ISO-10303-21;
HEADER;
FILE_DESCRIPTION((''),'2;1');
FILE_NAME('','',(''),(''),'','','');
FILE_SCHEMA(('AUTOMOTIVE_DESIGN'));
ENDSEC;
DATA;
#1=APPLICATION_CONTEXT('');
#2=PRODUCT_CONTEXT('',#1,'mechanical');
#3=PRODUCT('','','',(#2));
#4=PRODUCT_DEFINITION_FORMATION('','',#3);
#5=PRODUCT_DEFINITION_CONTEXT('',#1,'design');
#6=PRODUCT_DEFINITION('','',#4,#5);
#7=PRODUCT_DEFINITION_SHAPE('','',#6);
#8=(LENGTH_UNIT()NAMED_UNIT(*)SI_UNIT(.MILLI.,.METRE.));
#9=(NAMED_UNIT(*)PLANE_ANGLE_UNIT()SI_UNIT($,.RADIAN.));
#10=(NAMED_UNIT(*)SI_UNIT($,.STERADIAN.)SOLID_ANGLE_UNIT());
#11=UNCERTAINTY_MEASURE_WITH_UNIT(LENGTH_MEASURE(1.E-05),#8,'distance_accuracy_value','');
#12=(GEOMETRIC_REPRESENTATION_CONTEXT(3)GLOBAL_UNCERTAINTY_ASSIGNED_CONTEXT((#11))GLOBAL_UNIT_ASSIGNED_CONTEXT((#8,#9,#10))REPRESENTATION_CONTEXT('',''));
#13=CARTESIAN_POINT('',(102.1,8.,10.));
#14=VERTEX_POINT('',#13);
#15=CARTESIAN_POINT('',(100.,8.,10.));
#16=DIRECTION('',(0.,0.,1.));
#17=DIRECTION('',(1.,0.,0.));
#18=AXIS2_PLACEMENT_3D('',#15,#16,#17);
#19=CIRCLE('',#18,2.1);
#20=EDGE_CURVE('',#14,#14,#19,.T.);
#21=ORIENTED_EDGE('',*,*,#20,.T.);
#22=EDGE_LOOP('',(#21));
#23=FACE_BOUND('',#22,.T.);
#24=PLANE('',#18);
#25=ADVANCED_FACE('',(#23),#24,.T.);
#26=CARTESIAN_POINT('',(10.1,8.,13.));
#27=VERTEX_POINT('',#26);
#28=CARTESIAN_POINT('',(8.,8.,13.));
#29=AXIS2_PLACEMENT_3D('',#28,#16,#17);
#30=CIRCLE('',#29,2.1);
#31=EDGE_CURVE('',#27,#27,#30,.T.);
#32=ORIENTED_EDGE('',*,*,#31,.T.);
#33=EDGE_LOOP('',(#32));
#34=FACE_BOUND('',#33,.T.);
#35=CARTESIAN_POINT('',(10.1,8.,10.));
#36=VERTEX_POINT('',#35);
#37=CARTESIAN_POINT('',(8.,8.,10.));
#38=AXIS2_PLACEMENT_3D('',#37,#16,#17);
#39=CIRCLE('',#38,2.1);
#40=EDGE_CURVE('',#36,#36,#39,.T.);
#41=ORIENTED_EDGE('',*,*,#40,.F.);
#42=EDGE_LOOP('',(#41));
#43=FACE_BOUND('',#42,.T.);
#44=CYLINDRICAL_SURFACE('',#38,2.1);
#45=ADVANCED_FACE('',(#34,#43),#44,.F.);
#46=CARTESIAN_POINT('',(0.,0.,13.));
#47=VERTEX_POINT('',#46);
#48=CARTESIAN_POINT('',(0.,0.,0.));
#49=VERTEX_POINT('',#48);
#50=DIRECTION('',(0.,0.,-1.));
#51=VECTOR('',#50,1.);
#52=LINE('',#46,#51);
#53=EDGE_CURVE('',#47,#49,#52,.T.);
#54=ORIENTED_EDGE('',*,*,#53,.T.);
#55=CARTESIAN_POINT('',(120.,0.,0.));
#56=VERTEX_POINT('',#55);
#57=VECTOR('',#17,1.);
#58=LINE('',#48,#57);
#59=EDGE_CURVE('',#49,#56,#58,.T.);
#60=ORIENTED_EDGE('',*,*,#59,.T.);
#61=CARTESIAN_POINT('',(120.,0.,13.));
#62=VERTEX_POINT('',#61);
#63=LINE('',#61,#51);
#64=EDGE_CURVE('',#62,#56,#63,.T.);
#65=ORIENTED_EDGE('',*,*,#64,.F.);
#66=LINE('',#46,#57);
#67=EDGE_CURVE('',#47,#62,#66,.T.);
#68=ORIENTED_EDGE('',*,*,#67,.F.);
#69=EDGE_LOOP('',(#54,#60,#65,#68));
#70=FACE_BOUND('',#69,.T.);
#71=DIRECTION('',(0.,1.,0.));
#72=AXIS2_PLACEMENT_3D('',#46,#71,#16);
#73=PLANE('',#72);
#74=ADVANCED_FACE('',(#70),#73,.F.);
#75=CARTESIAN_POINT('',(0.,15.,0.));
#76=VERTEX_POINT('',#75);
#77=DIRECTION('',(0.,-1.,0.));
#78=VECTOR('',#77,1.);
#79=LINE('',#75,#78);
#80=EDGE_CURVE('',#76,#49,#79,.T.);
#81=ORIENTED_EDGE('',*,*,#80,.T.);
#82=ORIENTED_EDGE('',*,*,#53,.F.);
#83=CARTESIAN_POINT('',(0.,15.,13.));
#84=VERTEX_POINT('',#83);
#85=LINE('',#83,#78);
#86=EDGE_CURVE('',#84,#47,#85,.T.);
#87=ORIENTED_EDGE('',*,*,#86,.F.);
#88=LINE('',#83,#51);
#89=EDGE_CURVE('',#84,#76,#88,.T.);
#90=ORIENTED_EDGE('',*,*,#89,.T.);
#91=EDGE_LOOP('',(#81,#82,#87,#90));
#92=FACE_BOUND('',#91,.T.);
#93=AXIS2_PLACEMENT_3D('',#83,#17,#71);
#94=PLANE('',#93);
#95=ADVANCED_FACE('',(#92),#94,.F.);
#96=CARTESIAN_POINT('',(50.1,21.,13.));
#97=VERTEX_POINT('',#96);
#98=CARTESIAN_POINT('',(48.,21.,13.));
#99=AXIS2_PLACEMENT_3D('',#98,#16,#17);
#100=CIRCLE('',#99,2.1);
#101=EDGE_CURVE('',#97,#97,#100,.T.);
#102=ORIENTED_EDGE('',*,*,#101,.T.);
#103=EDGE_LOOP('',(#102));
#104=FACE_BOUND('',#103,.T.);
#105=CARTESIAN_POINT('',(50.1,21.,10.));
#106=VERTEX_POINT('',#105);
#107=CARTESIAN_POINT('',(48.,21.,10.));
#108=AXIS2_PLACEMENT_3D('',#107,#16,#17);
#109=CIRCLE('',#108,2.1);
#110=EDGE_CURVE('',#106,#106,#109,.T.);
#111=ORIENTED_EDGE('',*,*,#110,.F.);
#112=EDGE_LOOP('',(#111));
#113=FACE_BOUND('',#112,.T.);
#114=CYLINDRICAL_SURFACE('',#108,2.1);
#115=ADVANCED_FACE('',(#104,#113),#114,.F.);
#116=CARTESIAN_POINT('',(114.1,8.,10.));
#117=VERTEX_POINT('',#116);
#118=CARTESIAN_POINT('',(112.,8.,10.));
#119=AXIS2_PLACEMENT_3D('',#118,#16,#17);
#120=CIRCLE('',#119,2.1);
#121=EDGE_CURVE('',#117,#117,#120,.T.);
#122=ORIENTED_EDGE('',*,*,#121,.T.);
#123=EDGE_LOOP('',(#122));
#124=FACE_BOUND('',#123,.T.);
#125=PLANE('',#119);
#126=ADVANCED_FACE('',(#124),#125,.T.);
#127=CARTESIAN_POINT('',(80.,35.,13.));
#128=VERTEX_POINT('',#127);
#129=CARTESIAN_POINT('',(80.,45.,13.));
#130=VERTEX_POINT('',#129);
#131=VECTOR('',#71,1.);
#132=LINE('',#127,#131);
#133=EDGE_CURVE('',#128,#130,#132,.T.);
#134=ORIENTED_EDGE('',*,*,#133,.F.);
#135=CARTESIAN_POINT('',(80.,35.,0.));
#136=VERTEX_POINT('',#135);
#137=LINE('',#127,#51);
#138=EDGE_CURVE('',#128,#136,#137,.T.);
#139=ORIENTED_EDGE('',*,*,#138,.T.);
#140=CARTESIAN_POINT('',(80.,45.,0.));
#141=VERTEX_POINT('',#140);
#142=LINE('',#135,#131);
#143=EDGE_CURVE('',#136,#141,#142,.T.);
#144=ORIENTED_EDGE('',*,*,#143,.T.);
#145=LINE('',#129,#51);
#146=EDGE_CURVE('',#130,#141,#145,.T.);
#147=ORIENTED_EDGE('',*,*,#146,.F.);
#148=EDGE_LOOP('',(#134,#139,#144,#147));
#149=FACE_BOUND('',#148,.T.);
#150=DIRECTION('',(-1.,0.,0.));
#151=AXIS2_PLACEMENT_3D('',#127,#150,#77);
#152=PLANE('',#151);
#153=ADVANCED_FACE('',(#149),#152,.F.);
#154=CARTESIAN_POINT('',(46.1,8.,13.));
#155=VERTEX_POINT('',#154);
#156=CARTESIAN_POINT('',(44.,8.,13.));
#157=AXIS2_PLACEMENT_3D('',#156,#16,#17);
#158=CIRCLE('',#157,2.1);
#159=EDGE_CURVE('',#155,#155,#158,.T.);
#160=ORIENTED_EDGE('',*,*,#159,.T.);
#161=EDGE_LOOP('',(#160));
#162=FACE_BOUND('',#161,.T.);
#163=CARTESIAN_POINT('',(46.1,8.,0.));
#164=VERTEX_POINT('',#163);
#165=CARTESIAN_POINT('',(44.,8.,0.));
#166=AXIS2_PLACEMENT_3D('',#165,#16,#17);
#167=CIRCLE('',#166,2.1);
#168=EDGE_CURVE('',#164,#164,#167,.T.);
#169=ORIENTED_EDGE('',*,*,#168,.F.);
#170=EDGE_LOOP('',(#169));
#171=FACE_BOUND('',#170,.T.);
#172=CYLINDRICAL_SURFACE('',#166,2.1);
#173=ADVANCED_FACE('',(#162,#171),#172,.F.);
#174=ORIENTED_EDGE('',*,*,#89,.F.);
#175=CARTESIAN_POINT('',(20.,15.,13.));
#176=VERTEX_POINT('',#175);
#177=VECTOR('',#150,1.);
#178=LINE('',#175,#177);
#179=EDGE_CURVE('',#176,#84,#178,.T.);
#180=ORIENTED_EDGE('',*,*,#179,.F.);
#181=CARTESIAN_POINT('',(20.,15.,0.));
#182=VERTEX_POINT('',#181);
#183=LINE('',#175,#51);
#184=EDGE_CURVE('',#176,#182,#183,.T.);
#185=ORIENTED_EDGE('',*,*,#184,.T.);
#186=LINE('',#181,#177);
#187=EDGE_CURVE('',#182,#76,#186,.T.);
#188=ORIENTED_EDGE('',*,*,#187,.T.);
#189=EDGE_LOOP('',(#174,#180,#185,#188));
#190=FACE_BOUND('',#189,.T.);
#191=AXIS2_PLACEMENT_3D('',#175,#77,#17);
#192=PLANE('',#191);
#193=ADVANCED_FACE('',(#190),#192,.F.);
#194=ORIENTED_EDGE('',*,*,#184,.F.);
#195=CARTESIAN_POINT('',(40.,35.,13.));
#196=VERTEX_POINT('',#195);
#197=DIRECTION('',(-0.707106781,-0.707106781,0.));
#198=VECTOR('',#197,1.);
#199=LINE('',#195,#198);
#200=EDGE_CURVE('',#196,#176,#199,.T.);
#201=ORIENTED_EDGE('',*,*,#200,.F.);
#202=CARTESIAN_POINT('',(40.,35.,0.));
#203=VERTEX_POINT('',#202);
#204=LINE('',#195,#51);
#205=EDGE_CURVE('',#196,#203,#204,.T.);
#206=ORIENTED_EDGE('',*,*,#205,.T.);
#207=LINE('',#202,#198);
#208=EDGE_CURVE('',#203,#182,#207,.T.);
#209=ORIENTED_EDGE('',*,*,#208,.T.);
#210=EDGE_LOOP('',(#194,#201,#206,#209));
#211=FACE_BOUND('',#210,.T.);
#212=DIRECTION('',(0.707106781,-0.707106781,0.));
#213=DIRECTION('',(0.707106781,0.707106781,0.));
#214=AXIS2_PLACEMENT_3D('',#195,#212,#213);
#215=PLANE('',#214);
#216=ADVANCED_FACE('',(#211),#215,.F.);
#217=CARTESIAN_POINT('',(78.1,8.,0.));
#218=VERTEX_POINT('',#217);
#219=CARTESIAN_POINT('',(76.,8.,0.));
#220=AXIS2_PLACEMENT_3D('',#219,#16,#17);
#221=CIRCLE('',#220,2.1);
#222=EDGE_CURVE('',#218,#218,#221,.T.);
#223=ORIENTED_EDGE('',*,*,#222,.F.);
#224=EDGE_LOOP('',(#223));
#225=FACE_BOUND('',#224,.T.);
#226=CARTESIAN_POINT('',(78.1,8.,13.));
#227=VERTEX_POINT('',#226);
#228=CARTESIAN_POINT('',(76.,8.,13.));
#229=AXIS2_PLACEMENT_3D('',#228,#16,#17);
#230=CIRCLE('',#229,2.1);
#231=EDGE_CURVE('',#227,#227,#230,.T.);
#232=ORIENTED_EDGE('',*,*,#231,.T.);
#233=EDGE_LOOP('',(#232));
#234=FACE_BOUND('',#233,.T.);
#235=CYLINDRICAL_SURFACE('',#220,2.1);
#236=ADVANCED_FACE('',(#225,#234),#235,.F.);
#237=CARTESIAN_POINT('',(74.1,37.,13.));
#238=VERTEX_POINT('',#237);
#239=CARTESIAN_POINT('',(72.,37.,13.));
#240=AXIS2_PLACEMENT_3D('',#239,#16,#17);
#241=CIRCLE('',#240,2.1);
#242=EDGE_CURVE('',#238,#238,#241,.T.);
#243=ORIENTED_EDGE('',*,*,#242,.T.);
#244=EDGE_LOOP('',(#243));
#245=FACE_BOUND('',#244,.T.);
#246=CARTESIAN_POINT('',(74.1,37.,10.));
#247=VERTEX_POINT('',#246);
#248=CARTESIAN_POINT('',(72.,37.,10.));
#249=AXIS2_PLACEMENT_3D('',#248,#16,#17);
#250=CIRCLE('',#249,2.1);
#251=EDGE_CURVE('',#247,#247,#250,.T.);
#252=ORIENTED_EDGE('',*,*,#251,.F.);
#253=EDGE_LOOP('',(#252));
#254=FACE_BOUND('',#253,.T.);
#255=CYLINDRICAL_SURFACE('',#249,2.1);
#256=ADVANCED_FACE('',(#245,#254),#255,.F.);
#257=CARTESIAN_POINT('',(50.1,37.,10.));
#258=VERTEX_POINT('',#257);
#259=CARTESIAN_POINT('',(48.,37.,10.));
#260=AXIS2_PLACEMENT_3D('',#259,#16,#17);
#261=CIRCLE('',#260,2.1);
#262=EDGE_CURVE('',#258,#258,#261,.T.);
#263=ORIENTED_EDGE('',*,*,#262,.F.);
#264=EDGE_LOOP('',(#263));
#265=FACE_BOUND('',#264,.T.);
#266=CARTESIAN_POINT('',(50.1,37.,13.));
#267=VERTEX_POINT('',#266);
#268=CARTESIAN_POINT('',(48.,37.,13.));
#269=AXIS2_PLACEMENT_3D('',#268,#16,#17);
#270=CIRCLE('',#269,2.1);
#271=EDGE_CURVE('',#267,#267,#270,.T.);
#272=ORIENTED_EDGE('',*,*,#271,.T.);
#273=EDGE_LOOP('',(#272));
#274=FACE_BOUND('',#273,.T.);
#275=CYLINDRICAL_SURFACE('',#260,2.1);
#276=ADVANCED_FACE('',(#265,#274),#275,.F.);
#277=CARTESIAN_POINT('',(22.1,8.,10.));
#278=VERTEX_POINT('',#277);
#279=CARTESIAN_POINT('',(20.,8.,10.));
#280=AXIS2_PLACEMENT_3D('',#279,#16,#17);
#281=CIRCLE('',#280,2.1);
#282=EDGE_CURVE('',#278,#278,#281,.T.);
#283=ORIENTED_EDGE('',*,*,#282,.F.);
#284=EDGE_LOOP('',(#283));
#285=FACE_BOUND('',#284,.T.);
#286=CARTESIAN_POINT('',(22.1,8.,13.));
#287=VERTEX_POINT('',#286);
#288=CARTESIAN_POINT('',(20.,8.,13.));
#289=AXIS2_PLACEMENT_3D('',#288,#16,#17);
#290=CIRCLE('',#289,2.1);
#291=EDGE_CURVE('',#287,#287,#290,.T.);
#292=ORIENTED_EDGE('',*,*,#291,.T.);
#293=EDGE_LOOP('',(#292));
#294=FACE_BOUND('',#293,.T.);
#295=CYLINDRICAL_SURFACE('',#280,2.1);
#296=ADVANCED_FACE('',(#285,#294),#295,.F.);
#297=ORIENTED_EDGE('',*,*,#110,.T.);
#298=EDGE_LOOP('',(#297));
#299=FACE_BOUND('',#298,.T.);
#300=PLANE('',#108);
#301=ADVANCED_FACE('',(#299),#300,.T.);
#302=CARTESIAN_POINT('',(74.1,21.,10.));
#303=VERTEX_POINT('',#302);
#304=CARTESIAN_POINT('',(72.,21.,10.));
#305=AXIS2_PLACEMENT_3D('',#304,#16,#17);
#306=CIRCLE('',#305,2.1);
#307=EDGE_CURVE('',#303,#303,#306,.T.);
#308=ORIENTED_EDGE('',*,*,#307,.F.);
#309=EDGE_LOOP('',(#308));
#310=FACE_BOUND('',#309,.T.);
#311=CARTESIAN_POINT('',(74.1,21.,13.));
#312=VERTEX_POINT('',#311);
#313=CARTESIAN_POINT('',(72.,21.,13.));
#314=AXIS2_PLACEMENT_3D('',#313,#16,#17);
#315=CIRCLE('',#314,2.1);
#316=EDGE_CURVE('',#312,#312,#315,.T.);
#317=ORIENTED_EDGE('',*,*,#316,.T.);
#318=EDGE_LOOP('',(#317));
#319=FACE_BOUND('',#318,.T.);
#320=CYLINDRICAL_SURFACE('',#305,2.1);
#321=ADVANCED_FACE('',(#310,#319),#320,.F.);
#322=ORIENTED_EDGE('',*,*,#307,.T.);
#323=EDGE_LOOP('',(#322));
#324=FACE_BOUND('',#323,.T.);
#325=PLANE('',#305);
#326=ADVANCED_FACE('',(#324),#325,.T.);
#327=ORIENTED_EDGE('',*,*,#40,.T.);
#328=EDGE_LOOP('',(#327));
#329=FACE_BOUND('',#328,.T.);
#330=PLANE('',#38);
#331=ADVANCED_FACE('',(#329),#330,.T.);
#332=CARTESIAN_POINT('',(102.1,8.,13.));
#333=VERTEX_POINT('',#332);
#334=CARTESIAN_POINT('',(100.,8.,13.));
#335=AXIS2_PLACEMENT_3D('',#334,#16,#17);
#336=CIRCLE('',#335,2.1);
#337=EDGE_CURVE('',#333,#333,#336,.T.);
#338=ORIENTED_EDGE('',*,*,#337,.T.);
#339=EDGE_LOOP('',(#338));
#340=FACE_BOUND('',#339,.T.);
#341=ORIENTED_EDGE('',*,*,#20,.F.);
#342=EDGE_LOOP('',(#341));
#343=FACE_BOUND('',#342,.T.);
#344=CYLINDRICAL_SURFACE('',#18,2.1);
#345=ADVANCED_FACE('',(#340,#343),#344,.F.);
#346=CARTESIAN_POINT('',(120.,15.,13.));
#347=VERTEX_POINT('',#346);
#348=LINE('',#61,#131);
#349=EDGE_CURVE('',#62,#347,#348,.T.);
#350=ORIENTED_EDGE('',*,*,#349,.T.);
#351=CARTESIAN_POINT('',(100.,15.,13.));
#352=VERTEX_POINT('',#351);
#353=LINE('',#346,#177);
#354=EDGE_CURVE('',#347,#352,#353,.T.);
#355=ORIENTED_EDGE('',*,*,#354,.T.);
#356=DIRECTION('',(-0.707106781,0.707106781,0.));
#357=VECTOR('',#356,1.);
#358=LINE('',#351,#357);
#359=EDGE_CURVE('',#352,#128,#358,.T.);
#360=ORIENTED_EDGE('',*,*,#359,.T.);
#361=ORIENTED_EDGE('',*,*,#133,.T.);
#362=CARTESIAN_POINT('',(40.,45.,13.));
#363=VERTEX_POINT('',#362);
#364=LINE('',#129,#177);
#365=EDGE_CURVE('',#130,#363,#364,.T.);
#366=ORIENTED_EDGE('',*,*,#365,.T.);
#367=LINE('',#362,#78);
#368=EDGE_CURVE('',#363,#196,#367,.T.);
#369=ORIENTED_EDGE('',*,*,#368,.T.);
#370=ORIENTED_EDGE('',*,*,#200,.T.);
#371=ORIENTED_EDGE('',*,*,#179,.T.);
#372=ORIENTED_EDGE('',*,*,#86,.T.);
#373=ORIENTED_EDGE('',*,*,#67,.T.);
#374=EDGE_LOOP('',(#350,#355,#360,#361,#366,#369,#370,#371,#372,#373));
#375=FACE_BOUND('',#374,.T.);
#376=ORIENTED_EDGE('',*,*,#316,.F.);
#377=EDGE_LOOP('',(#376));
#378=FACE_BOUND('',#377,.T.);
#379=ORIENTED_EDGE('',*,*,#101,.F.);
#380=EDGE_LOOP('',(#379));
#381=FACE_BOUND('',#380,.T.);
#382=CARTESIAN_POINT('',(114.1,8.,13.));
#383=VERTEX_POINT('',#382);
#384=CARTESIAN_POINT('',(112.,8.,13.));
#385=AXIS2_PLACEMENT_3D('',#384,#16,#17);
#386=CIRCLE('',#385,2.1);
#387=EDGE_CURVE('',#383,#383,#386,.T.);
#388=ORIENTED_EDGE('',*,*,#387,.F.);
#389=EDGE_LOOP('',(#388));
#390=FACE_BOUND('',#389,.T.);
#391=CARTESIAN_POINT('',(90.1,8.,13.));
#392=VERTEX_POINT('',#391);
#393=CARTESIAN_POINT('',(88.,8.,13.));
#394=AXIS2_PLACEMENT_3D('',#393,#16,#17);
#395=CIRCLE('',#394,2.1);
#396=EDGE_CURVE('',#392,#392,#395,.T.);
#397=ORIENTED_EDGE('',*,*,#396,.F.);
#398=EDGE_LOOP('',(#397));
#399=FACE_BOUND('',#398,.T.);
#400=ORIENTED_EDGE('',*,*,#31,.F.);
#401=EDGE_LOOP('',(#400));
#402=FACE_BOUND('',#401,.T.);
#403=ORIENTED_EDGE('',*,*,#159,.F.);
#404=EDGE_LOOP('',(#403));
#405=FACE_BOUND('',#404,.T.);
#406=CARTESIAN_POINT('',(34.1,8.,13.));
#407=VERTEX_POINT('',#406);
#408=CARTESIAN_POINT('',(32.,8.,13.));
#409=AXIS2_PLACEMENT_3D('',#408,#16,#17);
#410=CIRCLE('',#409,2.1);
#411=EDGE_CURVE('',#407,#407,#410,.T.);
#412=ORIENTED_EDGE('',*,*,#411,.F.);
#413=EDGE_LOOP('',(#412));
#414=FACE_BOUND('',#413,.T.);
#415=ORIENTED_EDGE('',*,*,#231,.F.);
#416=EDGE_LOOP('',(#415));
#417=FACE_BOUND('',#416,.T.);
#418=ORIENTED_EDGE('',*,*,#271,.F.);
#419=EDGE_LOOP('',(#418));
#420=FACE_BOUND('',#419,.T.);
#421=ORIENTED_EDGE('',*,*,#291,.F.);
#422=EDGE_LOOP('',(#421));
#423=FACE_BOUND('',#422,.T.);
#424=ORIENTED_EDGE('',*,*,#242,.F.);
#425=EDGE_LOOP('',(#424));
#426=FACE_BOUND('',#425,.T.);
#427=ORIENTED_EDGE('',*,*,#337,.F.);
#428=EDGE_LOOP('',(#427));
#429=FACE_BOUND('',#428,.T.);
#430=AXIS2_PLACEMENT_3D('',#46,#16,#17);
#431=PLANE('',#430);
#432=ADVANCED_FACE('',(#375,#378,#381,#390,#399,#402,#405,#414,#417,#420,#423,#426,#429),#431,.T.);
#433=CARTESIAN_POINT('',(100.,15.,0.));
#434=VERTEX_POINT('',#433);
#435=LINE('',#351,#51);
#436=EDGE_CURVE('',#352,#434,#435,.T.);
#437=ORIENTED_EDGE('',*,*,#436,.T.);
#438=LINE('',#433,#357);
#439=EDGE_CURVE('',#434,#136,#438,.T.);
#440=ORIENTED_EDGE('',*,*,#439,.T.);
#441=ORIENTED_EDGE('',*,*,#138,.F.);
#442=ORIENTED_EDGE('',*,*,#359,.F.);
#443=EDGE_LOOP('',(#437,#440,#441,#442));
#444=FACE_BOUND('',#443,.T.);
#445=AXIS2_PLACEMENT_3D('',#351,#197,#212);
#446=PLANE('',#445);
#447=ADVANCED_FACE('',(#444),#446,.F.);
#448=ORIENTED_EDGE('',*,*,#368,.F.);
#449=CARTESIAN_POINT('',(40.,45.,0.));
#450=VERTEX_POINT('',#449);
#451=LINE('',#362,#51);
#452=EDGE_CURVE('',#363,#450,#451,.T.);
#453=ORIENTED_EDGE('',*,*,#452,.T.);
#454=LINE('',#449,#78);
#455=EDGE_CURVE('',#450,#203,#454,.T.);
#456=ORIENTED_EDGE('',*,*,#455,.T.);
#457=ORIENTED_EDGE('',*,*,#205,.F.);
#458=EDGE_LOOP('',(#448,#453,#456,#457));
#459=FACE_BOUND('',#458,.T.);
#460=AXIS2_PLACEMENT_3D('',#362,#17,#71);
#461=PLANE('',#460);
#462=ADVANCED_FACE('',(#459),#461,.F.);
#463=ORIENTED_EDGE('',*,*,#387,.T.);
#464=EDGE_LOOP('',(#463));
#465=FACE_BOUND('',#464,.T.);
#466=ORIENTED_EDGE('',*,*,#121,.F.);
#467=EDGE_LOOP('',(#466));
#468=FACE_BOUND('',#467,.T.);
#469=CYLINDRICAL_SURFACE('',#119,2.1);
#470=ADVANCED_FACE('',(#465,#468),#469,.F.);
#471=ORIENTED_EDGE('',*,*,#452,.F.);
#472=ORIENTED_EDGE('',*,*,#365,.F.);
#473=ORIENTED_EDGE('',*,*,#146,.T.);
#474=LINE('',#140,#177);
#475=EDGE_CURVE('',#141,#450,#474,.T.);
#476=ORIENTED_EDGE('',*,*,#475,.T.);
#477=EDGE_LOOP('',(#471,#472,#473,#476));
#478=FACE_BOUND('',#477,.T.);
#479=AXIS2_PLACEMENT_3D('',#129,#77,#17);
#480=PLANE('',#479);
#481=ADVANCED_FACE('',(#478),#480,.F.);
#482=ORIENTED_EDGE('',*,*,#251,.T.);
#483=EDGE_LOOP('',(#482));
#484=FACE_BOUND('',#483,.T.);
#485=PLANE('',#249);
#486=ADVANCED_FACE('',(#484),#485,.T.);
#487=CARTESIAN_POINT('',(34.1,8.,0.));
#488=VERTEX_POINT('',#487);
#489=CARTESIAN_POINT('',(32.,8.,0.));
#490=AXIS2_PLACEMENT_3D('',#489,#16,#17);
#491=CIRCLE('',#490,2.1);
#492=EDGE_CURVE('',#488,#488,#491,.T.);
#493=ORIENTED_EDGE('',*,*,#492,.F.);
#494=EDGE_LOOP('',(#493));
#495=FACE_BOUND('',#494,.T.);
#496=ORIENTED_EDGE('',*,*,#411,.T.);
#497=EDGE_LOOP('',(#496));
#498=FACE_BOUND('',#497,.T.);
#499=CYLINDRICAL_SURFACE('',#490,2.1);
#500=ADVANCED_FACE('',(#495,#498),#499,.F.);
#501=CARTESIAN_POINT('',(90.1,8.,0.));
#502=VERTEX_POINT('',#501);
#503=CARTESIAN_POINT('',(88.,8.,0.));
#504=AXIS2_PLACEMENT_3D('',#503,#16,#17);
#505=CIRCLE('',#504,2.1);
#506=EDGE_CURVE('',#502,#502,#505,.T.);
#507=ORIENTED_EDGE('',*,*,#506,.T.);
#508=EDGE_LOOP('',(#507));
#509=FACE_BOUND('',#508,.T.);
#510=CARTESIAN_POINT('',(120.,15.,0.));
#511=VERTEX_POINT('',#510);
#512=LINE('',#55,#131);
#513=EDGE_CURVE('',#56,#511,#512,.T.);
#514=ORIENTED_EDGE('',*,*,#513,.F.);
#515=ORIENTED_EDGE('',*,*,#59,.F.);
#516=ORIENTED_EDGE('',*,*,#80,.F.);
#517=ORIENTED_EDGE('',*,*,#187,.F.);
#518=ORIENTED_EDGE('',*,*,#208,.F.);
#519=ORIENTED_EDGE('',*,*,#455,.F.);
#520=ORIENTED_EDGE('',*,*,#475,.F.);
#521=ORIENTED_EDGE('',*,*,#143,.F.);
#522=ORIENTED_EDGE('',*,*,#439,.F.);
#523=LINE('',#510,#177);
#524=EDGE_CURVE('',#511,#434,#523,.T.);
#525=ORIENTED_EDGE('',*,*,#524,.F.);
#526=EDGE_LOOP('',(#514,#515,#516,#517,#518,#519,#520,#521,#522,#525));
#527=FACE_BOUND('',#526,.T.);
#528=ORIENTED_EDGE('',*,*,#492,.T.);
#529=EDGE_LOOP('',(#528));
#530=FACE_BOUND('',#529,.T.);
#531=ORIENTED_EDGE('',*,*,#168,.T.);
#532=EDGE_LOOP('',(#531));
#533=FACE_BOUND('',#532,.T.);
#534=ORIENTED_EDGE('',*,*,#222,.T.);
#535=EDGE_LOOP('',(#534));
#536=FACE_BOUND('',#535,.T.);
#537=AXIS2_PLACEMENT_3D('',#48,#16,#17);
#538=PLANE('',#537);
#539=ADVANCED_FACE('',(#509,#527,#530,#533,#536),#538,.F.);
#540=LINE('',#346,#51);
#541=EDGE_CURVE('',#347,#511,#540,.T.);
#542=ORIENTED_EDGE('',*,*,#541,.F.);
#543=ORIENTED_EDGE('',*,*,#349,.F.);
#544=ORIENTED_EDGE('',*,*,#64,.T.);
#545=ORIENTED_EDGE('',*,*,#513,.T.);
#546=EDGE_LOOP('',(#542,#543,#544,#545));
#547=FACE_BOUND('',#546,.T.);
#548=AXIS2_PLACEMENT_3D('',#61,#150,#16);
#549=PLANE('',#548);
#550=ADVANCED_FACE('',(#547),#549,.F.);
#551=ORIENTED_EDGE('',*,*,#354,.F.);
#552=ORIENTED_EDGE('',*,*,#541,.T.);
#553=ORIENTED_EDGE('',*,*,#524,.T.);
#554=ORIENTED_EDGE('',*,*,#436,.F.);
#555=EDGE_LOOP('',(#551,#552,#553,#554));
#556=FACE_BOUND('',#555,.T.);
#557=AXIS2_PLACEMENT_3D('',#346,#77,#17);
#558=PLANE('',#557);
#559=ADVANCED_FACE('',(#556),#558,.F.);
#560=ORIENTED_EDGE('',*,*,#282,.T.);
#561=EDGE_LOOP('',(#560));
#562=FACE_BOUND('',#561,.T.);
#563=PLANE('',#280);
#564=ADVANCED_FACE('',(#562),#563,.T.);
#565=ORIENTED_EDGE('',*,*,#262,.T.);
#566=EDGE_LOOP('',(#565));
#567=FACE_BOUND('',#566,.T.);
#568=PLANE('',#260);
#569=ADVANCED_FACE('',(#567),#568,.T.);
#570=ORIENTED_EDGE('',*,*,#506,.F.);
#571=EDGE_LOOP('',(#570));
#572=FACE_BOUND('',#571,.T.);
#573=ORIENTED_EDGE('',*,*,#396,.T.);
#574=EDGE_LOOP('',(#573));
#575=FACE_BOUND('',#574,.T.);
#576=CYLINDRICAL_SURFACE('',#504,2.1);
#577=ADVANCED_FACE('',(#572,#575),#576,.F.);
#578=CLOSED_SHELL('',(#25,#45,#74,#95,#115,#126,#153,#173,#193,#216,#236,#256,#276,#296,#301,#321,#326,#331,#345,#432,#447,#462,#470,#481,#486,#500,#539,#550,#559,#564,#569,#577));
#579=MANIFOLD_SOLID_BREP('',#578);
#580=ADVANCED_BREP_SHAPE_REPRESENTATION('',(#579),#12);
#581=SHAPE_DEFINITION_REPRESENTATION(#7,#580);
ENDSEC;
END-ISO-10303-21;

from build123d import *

# Parameters (mm, degrees)
EXTRUDE_1_DEPTH     = 13
SKETCH_2_R          = 2.1
CUT_EXTRUDE_1_DEPTH = 3
SKETCH_3_R          = 2.1
CUT_EXTRUDE_2_DEPTH = 129.817700647


with BuildPart() as part:
    # 草图1 → 凸台-拉伸1 (new body)
    with BuildSketch(Plane.XY):
        Polygon((0, 0), (120, 0), (120, 15), (100, 15), (80, 35), (80, 45), (40, 45), (40, 35), (20, 15), (0, 15), align=None)
    extrude(amount=EXTRUDE_1_DEPTH)

    # 草图2 → 切除-拉伸1 (cut)
    with BuildSketch(Plane.XY.offset(13)):
        with Locations((48, 37)):
            Circle(SKETCH_2_R)
        with Locations((72, 37)):
            Circle(SKETCH_2_R)
        with Locations((48, 21)):
            Circle(SKETCH_2_R)
        with Locations((72, 21)):
            Circle(SKETCH_2_R)
        with Locations((8, 8)):
            Circle(SKETCH_2_R)
        with Locations((20, 8)):
            Circle(SKETCH_2_R)
        with Locations((100, 8)):
            Circle(SKETCH_2_R)
        with Locations((112, 8)):
            Circle(SKETCH_2_R)
    extrude(amount=-CUT_EXTRUDE_1_DEPTH, mode=Mode.SUBTRACT)

    # 草图3 → 切除-拉伸2 (cut, through all)
    with BuildSketch(Plane.XY.offset(13)):
        with Locations((32, 8)):
            Circle(SKETCH_3_R)
        with Locations((44, 8)):
            Circle(SKETCH_3_R)
        with Locations((76, 8)):
            Circle(SKETCH_3_R)
        with Locations((88, 8)):
            Circle(SKETCH_3_R)
    extrude(amount=-CUT_EXTRUDE_2_DEPTH, mode=Mode.SUBTRACT)


solid = part.part
